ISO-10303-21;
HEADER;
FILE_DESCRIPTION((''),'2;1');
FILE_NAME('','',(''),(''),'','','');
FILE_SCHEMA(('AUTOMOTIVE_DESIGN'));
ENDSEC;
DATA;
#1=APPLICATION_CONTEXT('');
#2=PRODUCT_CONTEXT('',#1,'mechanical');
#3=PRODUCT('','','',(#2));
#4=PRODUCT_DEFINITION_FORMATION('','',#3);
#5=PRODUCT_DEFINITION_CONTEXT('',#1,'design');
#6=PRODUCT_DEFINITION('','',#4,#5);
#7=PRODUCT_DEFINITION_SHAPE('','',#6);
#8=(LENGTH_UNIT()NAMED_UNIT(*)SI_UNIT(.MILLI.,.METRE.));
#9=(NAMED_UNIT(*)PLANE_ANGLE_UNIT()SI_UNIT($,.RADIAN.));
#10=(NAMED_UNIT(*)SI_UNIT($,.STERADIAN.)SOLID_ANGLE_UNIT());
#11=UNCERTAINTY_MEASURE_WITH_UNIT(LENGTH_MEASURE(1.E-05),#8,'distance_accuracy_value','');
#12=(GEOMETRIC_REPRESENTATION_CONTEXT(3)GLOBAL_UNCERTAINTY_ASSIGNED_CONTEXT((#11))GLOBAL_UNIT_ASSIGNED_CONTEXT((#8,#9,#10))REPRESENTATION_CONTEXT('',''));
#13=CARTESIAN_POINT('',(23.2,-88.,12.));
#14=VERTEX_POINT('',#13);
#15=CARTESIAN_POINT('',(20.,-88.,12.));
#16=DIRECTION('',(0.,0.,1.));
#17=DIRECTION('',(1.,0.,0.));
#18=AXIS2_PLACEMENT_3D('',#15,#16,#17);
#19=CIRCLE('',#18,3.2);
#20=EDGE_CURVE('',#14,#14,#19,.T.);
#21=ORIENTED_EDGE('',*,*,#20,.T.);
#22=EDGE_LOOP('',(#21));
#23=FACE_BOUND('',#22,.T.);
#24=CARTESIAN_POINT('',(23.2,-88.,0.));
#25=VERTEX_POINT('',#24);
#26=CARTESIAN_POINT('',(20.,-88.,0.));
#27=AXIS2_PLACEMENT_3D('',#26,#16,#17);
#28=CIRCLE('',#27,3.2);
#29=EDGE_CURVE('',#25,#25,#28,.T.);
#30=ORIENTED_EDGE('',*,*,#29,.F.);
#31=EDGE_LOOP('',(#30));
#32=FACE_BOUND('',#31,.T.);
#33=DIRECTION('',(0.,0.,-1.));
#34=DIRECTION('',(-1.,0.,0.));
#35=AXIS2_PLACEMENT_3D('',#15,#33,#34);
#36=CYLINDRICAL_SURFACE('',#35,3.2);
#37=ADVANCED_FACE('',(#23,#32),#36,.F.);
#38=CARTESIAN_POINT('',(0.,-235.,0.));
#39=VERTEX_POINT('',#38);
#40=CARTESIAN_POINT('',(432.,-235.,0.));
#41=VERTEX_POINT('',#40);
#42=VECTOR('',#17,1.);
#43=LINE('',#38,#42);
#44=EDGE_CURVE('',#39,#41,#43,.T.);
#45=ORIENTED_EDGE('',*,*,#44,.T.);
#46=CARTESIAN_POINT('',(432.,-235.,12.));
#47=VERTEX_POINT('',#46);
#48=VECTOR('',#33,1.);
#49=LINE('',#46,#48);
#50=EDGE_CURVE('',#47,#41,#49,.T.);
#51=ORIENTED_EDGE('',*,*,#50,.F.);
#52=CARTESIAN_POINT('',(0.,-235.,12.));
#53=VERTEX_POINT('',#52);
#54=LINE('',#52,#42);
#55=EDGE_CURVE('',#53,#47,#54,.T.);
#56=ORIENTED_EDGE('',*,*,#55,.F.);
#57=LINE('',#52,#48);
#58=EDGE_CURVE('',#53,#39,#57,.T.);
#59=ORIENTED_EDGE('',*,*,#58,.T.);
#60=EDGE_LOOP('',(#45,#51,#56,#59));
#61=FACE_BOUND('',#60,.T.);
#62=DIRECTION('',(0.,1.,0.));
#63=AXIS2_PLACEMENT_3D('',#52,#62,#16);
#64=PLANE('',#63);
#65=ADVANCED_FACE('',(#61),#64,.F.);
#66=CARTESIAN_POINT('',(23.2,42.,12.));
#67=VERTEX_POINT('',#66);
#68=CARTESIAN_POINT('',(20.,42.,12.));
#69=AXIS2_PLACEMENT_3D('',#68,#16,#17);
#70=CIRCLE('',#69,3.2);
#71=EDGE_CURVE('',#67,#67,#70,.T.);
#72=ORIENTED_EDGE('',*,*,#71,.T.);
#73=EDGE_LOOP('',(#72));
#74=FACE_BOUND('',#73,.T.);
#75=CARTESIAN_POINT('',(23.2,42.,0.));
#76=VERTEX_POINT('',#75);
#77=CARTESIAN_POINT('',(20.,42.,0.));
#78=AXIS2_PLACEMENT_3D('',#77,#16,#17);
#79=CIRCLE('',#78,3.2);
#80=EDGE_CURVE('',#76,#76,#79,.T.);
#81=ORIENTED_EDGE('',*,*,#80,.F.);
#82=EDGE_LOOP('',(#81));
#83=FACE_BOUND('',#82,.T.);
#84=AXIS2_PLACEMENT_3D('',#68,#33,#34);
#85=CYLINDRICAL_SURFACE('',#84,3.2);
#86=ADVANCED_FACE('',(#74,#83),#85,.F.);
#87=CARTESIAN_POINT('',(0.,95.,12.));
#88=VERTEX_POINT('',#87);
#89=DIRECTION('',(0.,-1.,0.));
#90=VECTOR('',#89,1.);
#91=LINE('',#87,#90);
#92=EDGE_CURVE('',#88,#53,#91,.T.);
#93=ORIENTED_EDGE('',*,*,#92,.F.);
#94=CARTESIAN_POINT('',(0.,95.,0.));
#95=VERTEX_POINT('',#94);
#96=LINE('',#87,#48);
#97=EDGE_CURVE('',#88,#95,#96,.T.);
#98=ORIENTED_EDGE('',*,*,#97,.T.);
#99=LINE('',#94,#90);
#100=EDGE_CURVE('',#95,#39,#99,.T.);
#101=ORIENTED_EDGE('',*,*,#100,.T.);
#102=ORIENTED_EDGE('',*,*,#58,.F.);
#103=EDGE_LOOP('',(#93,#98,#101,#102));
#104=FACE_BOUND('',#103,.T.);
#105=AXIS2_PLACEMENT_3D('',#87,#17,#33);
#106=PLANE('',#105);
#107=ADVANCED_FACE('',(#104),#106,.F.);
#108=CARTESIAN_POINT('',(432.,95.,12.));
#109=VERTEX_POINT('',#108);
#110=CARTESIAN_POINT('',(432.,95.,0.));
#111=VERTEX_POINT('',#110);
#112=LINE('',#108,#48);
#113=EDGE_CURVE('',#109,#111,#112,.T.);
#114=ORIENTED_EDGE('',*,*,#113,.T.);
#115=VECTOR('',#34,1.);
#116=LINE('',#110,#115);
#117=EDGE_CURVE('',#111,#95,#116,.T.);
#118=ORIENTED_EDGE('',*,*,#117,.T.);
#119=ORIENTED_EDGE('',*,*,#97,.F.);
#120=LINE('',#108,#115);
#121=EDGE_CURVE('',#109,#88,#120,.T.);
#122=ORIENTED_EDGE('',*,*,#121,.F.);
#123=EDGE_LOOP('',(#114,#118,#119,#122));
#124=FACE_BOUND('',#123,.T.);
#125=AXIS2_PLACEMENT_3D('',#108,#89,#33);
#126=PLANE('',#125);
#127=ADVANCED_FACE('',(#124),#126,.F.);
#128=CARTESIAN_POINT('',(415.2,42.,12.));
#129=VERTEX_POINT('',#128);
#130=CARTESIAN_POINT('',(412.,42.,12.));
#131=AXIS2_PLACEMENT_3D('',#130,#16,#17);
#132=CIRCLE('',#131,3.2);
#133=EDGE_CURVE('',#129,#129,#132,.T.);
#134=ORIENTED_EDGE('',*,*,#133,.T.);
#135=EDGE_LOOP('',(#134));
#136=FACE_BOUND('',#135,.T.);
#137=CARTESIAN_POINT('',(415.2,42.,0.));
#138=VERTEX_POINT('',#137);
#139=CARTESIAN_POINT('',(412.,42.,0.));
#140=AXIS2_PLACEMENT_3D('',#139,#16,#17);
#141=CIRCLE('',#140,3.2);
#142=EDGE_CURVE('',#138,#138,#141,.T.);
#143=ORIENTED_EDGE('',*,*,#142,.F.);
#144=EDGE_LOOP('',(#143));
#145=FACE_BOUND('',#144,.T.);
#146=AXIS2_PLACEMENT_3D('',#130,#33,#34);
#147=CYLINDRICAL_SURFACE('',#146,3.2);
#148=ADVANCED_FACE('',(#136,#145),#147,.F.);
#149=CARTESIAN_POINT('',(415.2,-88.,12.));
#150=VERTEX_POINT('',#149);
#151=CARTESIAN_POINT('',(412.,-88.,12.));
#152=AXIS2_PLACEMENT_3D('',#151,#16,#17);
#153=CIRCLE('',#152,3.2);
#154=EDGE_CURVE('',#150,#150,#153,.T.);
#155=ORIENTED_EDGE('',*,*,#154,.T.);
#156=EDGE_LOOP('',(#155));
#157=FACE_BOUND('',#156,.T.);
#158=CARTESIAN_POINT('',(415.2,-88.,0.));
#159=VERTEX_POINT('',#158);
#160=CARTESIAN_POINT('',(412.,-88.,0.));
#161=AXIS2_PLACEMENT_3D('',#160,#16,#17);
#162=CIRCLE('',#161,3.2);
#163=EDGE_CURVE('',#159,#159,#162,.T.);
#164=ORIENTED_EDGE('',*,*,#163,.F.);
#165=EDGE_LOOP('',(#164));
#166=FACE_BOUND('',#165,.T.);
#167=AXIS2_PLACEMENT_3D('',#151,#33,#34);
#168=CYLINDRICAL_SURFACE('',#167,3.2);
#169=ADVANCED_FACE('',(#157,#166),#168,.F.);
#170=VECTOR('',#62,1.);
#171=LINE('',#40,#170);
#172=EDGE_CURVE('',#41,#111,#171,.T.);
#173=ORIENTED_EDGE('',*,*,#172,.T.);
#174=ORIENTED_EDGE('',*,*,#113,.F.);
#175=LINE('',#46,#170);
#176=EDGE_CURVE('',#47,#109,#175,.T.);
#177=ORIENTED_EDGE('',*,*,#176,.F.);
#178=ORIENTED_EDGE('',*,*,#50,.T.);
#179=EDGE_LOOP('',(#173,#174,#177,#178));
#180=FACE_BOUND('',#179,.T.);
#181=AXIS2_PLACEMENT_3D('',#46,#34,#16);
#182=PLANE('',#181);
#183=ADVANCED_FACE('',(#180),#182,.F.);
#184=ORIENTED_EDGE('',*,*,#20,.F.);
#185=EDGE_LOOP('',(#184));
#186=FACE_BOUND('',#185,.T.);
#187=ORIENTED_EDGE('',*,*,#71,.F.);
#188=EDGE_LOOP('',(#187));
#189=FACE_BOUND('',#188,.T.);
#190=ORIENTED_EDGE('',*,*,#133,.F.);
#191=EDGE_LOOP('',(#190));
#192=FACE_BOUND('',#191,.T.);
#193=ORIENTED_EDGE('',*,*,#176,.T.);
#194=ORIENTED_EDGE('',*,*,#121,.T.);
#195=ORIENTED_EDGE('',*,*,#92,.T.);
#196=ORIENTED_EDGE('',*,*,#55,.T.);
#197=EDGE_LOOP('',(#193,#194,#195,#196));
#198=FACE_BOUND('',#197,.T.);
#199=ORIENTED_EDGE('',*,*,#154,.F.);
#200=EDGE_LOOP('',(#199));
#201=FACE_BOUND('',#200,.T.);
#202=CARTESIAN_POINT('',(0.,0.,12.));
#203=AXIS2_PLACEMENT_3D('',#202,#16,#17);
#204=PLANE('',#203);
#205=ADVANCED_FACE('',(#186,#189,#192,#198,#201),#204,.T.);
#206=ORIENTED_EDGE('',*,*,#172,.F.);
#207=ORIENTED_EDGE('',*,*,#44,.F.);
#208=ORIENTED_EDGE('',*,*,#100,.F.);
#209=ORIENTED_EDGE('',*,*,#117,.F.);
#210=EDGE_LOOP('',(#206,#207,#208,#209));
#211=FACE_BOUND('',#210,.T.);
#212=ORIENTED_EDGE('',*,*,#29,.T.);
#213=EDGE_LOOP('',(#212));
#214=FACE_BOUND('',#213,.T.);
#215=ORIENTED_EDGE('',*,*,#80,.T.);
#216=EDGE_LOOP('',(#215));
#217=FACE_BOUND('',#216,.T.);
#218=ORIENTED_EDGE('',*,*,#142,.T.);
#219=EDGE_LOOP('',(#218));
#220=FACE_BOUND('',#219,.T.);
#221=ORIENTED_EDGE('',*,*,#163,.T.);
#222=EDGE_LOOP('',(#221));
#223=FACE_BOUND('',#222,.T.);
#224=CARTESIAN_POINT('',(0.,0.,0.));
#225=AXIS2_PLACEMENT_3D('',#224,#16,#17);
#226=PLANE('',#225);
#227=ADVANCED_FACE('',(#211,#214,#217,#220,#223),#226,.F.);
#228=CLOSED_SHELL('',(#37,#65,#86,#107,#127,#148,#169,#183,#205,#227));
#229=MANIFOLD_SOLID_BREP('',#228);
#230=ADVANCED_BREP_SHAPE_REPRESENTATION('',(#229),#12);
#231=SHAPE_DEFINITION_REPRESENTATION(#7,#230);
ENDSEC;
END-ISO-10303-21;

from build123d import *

# Parameters (mm, degrees)
SKETCH_1_W      = 432
SKETCH_1_H      = 330
SKETCH_1_R      = 3.2
EXTRUDE_1_DEPTH = 12


with BuildPart() as part:
    # 草图1 → 凸台-拉伸1 (new body)
    with BuildSketch(Plane.XY):
        with Locations((216, -70)):
            Rectangle(SKETCH_1_W, SKETCH_1_H)
        with Locations((20, 42)):
            Circle(SKETCH_1_R, mode=Mode.SUBTRACT)
        with Locations((412, 42)):
            Circle(SKETCH_1_R, mode=Mode.SUBTRACT)
        with Locations((20, -88)):
            Circle(SKETCH_1_R, mode=Mode.SUBTRACT)
        with Locations((412, -88)):
            Circle(SKETCH_1_R, mode=Mode.SUBTRACT)
    extrude(amount=EXTRUDE_1_DEPTH)


solid = part.part
